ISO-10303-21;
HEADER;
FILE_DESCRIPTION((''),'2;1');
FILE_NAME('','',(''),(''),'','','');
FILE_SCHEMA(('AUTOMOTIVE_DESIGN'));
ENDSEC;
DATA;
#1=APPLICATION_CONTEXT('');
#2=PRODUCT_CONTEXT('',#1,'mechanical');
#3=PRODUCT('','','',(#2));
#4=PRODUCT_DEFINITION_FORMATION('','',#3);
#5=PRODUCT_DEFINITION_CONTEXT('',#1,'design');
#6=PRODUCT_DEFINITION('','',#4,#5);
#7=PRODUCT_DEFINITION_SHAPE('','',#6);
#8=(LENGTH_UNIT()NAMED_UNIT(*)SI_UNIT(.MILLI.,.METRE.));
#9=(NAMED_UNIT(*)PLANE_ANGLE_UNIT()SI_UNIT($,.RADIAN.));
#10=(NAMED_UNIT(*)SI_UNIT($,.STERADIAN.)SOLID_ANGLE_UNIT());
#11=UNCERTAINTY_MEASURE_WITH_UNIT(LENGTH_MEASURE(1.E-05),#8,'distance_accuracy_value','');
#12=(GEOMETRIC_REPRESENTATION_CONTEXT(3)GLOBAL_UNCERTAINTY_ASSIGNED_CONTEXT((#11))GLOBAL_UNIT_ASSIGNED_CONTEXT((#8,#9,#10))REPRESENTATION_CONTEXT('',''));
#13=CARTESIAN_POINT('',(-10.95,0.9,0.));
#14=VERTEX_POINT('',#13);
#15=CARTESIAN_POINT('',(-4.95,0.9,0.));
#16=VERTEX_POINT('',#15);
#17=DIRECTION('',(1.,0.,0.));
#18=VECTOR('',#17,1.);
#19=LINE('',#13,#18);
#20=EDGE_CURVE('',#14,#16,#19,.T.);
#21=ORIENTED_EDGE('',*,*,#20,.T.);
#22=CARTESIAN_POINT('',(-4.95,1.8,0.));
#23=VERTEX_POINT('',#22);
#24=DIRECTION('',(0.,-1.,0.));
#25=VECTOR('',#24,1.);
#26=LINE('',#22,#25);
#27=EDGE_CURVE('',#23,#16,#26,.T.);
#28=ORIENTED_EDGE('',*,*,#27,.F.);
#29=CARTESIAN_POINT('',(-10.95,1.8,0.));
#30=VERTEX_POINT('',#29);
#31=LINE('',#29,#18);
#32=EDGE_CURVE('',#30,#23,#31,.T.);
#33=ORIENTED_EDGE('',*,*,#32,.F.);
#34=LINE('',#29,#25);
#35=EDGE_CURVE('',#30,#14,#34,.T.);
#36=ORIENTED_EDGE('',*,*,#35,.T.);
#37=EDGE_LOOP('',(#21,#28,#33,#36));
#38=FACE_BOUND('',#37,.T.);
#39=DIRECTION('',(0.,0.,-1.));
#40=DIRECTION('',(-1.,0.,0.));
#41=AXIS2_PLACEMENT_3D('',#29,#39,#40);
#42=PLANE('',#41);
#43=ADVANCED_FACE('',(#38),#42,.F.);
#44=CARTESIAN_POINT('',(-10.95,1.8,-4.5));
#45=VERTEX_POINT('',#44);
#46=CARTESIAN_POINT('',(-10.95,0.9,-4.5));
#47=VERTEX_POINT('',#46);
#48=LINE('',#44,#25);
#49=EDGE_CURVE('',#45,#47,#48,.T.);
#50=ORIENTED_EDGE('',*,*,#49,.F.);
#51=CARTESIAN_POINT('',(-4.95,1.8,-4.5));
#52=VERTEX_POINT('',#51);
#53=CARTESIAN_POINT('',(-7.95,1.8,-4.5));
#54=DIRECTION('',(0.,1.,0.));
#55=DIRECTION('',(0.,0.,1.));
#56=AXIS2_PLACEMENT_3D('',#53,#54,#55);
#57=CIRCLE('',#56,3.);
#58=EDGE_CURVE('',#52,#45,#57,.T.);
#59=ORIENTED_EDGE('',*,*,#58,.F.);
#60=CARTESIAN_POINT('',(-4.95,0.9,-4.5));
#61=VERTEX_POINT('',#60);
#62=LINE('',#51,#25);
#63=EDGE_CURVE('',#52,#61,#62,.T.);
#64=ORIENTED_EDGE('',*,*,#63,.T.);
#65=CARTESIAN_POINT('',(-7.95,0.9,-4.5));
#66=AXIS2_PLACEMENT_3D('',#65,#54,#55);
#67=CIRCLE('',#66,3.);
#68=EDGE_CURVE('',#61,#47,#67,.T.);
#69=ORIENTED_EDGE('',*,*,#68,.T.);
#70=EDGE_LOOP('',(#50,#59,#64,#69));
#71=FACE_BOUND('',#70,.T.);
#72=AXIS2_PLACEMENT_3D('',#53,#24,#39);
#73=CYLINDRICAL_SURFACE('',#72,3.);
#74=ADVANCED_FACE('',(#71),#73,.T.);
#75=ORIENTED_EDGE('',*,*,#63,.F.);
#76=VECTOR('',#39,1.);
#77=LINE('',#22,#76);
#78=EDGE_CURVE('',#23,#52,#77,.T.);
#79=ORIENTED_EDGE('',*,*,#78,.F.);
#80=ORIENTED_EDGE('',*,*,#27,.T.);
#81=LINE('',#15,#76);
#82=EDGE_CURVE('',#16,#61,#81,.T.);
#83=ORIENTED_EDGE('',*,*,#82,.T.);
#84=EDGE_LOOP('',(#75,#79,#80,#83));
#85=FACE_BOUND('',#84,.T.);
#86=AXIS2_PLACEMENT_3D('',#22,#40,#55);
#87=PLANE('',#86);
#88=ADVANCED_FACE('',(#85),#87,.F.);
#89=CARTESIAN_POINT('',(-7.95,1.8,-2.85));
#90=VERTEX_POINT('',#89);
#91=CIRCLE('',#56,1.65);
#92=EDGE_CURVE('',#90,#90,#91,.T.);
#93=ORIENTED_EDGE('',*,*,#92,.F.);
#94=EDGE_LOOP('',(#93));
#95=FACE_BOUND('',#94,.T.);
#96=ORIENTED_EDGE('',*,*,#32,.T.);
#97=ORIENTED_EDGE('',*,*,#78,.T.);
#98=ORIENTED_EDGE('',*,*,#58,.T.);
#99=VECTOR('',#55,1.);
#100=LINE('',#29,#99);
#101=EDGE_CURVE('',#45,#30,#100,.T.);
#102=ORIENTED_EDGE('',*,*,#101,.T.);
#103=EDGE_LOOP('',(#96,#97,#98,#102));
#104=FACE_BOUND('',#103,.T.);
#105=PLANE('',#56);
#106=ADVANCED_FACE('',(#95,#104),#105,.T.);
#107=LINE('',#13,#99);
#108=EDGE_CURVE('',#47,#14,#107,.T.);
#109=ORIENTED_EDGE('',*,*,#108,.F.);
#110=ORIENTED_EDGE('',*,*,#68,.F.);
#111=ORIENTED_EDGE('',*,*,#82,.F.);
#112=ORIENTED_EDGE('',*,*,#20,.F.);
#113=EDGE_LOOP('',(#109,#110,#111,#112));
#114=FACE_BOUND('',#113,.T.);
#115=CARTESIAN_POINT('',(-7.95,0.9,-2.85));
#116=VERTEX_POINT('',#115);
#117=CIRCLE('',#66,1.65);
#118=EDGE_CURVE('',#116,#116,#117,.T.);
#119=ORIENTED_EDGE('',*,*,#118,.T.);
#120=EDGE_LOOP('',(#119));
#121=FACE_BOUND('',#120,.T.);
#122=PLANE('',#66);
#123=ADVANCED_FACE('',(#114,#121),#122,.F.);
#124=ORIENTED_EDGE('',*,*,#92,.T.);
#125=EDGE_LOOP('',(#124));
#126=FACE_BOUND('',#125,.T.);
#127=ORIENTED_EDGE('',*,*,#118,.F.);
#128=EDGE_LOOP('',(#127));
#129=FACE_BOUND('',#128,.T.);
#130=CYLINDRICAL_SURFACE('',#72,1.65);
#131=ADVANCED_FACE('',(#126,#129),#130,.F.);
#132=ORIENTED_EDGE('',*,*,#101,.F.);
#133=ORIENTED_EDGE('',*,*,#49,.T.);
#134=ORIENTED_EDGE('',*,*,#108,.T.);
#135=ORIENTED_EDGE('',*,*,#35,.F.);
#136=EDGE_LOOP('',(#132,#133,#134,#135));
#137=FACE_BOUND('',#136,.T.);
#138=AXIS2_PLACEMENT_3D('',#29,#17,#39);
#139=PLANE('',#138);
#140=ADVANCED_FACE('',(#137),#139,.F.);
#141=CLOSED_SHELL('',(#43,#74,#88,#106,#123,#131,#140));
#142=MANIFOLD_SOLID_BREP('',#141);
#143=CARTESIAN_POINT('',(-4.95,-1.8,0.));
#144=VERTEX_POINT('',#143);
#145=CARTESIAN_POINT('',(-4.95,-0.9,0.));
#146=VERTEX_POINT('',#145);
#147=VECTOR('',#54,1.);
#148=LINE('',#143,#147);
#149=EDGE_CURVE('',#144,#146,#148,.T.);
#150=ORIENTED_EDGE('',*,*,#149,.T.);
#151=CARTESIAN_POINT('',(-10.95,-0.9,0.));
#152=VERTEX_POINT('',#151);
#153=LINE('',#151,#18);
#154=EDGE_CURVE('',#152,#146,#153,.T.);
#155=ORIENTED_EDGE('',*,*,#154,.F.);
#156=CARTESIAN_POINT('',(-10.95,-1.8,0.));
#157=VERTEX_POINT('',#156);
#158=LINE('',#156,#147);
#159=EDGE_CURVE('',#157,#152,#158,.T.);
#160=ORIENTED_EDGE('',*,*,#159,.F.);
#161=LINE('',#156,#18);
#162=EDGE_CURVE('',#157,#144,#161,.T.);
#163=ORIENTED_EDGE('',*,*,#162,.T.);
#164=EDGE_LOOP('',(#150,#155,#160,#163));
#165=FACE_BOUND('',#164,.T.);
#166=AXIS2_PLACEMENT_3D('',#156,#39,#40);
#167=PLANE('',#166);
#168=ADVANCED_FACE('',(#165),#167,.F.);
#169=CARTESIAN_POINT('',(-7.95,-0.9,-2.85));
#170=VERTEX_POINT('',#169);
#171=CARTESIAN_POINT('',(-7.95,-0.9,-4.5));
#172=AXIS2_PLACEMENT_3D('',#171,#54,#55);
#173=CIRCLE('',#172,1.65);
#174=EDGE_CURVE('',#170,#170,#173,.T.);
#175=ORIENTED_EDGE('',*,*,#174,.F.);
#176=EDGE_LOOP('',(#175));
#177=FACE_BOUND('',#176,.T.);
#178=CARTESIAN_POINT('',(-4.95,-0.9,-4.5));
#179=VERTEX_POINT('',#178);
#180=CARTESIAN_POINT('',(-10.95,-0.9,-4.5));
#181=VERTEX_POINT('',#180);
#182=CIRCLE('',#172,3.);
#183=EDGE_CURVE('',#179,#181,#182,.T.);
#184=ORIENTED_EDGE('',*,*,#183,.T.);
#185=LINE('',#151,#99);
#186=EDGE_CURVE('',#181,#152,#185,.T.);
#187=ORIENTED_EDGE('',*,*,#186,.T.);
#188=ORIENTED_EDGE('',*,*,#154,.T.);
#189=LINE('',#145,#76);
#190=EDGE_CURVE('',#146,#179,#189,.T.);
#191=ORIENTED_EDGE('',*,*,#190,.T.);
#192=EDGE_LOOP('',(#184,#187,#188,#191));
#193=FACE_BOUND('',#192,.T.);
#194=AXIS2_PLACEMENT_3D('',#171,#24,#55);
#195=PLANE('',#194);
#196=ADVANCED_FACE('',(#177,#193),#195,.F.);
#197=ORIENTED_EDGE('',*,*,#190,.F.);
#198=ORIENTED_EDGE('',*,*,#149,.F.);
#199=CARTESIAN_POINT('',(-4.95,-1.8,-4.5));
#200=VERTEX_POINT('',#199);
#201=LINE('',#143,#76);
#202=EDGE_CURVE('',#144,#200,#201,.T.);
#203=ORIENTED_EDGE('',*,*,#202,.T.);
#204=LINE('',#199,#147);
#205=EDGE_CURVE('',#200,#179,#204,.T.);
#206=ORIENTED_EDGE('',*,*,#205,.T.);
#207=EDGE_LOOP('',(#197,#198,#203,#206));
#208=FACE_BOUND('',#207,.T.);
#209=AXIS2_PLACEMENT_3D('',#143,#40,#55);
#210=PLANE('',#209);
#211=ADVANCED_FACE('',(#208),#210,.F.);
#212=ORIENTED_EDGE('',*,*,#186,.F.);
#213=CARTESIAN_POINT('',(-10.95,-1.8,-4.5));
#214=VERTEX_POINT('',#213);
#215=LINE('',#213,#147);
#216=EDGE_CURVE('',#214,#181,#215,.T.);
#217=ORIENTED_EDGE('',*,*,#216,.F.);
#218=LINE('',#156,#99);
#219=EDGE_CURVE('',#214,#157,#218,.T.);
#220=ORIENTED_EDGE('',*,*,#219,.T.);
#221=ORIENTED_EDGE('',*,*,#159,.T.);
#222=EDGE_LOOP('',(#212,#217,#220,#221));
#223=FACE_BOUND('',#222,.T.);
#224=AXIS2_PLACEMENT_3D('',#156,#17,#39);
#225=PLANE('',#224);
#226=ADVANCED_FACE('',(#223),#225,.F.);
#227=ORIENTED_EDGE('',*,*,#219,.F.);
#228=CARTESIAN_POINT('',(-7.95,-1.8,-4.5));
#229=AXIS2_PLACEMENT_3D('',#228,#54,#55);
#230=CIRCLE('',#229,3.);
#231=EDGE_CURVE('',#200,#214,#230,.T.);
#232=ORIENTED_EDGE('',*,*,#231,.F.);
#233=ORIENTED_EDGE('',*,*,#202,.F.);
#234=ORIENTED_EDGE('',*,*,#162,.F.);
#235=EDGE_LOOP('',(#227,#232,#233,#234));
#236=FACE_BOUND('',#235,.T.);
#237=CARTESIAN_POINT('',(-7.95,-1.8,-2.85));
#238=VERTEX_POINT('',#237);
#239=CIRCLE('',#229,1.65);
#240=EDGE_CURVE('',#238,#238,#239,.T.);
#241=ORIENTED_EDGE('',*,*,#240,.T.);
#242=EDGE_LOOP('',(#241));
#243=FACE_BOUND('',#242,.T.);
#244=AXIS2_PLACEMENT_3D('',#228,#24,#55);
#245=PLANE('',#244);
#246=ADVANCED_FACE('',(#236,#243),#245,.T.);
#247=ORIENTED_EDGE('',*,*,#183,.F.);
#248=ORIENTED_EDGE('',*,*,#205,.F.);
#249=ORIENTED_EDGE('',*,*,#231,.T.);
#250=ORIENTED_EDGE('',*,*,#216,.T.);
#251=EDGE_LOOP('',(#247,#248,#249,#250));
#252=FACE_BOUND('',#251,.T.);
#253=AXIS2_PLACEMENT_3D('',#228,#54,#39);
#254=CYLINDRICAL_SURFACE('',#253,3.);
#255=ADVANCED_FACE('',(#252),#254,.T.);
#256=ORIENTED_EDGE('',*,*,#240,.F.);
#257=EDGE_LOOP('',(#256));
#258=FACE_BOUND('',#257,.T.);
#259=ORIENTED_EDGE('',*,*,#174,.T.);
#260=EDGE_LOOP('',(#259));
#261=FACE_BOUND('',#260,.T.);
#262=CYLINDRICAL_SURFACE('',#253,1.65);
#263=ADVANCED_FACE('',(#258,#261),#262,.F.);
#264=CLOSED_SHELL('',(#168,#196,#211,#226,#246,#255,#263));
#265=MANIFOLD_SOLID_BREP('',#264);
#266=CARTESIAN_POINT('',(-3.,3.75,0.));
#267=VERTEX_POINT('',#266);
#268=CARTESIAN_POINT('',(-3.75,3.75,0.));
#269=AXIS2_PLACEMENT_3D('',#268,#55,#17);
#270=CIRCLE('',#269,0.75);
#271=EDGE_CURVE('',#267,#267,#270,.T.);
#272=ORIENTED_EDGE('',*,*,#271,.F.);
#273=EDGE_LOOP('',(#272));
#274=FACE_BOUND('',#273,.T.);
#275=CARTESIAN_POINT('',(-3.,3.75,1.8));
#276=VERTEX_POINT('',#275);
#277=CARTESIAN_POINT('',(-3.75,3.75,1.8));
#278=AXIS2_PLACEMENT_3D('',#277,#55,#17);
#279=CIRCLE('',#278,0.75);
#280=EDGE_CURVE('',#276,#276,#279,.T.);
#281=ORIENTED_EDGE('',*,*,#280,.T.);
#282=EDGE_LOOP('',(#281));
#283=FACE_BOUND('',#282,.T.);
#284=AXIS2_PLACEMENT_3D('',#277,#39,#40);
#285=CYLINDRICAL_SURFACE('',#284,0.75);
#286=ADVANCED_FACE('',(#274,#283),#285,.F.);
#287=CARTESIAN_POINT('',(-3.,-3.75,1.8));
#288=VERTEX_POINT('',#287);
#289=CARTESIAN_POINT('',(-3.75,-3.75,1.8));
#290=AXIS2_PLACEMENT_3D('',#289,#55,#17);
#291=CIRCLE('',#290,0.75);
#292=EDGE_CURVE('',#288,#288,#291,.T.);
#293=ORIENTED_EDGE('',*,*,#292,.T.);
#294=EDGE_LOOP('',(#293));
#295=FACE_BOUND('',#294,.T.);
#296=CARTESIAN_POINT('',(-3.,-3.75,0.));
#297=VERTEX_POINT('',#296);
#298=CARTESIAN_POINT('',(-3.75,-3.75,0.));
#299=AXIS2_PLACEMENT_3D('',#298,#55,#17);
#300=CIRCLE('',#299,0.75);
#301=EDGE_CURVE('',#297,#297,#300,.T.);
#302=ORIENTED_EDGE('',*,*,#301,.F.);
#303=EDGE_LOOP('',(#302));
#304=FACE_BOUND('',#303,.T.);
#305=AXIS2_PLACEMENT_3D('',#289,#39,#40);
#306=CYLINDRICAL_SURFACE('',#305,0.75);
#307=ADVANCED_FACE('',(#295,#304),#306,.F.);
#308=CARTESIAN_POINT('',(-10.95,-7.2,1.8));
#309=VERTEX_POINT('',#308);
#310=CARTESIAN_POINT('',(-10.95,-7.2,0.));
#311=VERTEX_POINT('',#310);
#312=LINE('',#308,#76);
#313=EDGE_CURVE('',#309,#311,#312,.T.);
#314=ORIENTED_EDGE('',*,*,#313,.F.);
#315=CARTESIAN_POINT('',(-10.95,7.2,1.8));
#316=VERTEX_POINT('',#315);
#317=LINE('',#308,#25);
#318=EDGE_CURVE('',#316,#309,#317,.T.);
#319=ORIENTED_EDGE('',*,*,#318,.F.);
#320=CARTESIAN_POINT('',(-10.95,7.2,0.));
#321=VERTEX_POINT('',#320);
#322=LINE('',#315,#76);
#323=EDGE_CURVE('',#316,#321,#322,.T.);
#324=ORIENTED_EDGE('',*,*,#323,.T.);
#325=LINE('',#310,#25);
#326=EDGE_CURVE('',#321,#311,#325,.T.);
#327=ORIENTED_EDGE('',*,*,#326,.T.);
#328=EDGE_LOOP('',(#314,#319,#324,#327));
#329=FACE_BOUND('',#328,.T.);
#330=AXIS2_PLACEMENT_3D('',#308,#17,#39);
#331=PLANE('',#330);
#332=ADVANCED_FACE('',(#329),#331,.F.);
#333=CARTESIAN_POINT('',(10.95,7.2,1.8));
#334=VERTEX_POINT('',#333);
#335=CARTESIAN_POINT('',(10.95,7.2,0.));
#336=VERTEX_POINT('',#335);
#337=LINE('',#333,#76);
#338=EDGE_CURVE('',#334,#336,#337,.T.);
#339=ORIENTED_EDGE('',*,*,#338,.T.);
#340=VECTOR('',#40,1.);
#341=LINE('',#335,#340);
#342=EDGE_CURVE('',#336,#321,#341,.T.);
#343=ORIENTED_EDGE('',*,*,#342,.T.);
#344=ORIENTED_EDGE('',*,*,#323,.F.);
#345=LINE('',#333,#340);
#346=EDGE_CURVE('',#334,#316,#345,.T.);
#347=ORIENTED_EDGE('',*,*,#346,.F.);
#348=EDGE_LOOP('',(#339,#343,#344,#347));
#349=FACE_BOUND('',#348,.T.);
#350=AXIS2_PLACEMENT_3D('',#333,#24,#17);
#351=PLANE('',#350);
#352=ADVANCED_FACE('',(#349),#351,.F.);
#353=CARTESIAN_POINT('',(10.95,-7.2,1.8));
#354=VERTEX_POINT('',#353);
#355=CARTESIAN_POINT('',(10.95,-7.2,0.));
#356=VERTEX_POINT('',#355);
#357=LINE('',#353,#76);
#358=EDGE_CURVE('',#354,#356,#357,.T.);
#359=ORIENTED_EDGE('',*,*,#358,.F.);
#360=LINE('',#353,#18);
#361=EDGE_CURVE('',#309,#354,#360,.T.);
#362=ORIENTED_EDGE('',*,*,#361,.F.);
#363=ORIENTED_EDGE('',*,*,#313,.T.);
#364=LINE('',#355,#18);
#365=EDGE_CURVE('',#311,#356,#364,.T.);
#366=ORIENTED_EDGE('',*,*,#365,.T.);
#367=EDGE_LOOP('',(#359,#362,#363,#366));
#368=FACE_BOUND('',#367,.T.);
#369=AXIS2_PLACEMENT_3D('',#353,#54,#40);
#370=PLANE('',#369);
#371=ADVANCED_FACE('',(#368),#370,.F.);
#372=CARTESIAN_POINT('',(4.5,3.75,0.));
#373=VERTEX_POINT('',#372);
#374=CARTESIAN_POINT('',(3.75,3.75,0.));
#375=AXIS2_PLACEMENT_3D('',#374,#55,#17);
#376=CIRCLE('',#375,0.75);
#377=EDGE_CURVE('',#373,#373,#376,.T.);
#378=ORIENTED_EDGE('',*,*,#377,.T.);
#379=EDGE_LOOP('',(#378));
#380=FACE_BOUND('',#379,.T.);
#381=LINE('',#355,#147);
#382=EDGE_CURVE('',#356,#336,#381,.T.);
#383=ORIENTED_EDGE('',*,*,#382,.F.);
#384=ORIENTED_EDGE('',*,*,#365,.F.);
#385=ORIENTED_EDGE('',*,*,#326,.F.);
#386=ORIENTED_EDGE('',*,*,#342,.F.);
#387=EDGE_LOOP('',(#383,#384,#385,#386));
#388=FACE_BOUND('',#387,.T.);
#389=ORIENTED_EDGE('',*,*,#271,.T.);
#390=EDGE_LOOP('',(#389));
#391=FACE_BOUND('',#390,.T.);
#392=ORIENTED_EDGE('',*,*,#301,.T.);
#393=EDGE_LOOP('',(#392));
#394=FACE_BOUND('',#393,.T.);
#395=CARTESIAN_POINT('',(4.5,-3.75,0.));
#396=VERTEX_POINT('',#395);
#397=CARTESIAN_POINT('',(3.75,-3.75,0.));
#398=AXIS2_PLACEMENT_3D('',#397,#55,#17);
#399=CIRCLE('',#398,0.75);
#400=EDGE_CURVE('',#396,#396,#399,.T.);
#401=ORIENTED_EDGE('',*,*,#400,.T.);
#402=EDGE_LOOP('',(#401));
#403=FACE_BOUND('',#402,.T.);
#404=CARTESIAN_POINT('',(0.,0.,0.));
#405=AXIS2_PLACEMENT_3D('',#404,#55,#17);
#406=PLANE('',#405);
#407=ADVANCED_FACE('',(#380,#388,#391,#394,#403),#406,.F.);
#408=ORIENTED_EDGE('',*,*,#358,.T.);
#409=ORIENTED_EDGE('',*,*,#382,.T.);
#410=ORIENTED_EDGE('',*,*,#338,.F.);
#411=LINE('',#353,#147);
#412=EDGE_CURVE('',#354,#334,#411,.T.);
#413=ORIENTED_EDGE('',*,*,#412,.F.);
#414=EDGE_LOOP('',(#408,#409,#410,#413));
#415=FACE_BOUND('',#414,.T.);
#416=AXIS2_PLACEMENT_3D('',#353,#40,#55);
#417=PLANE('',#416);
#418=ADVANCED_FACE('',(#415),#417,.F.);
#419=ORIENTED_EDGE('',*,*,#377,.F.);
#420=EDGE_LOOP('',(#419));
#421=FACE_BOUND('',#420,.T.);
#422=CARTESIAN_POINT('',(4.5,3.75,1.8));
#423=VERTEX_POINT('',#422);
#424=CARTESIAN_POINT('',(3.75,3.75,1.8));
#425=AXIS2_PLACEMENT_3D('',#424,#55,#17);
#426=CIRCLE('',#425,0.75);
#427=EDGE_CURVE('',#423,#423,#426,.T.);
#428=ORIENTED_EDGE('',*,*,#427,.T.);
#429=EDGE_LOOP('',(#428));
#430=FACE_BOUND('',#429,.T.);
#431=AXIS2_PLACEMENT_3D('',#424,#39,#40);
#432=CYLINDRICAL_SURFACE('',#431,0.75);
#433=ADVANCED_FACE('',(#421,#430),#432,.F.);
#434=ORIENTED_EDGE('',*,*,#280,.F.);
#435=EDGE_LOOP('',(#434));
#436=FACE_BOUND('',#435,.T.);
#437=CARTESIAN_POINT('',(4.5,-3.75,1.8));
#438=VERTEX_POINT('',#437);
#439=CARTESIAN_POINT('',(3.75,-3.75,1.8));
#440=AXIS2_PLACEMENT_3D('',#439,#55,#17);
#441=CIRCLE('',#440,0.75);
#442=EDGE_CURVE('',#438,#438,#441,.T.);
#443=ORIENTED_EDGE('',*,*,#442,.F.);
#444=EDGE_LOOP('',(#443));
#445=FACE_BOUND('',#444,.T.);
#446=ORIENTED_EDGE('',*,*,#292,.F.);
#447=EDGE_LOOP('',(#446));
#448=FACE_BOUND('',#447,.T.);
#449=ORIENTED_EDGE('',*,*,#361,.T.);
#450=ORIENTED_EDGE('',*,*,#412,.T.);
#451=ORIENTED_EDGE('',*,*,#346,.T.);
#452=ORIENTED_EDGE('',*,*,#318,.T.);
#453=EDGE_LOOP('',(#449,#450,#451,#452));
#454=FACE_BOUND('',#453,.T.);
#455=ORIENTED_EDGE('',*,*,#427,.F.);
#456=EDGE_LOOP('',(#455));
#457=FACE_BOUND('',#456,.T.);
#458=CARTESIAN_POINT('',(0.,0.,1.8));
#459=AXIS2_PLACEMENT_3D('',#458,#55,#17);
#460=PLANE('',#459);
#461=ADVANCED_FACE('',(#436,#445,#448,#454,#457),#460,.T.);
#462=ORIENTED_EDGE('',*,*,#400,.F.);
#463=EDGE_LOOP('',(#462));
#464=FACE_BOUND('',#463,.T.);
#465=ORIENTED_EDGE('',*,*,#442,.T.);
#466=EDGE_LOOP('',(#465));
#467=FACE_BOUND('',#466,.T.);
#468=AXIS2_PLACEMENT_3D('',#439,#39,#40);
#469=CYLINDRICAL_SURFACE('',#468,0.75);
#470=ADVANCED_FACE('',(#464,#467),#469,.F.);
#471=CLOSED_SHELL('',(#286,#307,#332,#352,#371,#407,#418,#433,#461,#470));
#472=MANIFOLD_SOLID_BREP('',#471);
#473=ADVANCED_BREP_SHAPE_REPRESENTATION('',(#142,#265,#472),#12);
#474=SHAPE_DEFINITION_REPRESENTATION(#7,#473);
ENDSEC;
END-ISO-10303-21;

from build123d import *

# Parameters (mm, degrees)
SKETCH_1_W      = 73
SKETCH_1_H      = 48
SKETCH_1_R      = 2.5
EXTRUDE_1_DEPTH = 6
EXTRUDE_START   = 3
SKETCH_3_R      = 5.5
EXTRUDE_2_DEPTH = 3
SCALE_1_SCALE   = 0.3


with BuildPart() as part:
    # 草图1 → 凸台-拉伸1 (new body)
    with BuildSketch(Plane.XY):
        Rectangle(SKETCH_1_W, SKETCH_1_H)
        with Locations((-12.5, 12.5)):
            Circle(SKETCH_1_R, mode=Mode.SUBTRACT)
        with Locations((12.5, 12.5)):
            Circle(SKETCH_1_R, mode=Mode.SUBTRACT)
        with Locations((12.5, -12.5)):
            Circle(SKETCH_1_R, mode=Mode.SUBTRACT)
        with Locations((-12.5, -12.5)):
            Circle(SKETCH_1_R, mode=Mode.SUBTRACT)
    extrude(amount=EXTRUDE_1_DEPTH)


with BuildPart() as body_2:
    # 草图3 → 凸台-拉伸2 (new body)
    with BuildSketch(Plane(origin=(0, 0, 0), x_dir=(1, 0, 0), z_dir=(0, 1, 0)).offset(EXTRUDE_START)):
        with BuildLine():
            Line((-36.5, 0), (-16.5, 0))
            Line((-16.5, 0), (-16.5, 15))
            ThreePointArc((-16.5, 15), (-26.5, 25), (-36.5, 15))
            Line((-36.5, 15), (-36.5, 0))
        make_face()
        with Locations(Location((-26.5, 15, 0), (0, 0, 270))):
            Circle(SKETCH_3_R, mode=Mode.SUBTRACT)
    extrude(amount=EXTRUDE_2_DEPTH)


with BuildPart() as body_3:
    # 镜向1: mirrored copy
    add(body_2.part.mirror(Plane.ZX))


with BuildPart() as body_3_1:
    # 缩放比例1: scaled about (0, 0, 0)
    add(body_3.part.scale(SCALE_1_SCALE))


with BuildPart() as body_2_1:
    # 缩放比例1: scaled about (0, 0, 0)
    add(body_2.part.scale(SCALE_1_SCALE))


with BuildPart() as part_1:
    # 缩放比例1: scaled about (0, 0, 0)
    add(part.part.scale(SCALE_1_SCALE))


solid = Compound([body_3_1.part, body_2_1.part, part_1.part])
